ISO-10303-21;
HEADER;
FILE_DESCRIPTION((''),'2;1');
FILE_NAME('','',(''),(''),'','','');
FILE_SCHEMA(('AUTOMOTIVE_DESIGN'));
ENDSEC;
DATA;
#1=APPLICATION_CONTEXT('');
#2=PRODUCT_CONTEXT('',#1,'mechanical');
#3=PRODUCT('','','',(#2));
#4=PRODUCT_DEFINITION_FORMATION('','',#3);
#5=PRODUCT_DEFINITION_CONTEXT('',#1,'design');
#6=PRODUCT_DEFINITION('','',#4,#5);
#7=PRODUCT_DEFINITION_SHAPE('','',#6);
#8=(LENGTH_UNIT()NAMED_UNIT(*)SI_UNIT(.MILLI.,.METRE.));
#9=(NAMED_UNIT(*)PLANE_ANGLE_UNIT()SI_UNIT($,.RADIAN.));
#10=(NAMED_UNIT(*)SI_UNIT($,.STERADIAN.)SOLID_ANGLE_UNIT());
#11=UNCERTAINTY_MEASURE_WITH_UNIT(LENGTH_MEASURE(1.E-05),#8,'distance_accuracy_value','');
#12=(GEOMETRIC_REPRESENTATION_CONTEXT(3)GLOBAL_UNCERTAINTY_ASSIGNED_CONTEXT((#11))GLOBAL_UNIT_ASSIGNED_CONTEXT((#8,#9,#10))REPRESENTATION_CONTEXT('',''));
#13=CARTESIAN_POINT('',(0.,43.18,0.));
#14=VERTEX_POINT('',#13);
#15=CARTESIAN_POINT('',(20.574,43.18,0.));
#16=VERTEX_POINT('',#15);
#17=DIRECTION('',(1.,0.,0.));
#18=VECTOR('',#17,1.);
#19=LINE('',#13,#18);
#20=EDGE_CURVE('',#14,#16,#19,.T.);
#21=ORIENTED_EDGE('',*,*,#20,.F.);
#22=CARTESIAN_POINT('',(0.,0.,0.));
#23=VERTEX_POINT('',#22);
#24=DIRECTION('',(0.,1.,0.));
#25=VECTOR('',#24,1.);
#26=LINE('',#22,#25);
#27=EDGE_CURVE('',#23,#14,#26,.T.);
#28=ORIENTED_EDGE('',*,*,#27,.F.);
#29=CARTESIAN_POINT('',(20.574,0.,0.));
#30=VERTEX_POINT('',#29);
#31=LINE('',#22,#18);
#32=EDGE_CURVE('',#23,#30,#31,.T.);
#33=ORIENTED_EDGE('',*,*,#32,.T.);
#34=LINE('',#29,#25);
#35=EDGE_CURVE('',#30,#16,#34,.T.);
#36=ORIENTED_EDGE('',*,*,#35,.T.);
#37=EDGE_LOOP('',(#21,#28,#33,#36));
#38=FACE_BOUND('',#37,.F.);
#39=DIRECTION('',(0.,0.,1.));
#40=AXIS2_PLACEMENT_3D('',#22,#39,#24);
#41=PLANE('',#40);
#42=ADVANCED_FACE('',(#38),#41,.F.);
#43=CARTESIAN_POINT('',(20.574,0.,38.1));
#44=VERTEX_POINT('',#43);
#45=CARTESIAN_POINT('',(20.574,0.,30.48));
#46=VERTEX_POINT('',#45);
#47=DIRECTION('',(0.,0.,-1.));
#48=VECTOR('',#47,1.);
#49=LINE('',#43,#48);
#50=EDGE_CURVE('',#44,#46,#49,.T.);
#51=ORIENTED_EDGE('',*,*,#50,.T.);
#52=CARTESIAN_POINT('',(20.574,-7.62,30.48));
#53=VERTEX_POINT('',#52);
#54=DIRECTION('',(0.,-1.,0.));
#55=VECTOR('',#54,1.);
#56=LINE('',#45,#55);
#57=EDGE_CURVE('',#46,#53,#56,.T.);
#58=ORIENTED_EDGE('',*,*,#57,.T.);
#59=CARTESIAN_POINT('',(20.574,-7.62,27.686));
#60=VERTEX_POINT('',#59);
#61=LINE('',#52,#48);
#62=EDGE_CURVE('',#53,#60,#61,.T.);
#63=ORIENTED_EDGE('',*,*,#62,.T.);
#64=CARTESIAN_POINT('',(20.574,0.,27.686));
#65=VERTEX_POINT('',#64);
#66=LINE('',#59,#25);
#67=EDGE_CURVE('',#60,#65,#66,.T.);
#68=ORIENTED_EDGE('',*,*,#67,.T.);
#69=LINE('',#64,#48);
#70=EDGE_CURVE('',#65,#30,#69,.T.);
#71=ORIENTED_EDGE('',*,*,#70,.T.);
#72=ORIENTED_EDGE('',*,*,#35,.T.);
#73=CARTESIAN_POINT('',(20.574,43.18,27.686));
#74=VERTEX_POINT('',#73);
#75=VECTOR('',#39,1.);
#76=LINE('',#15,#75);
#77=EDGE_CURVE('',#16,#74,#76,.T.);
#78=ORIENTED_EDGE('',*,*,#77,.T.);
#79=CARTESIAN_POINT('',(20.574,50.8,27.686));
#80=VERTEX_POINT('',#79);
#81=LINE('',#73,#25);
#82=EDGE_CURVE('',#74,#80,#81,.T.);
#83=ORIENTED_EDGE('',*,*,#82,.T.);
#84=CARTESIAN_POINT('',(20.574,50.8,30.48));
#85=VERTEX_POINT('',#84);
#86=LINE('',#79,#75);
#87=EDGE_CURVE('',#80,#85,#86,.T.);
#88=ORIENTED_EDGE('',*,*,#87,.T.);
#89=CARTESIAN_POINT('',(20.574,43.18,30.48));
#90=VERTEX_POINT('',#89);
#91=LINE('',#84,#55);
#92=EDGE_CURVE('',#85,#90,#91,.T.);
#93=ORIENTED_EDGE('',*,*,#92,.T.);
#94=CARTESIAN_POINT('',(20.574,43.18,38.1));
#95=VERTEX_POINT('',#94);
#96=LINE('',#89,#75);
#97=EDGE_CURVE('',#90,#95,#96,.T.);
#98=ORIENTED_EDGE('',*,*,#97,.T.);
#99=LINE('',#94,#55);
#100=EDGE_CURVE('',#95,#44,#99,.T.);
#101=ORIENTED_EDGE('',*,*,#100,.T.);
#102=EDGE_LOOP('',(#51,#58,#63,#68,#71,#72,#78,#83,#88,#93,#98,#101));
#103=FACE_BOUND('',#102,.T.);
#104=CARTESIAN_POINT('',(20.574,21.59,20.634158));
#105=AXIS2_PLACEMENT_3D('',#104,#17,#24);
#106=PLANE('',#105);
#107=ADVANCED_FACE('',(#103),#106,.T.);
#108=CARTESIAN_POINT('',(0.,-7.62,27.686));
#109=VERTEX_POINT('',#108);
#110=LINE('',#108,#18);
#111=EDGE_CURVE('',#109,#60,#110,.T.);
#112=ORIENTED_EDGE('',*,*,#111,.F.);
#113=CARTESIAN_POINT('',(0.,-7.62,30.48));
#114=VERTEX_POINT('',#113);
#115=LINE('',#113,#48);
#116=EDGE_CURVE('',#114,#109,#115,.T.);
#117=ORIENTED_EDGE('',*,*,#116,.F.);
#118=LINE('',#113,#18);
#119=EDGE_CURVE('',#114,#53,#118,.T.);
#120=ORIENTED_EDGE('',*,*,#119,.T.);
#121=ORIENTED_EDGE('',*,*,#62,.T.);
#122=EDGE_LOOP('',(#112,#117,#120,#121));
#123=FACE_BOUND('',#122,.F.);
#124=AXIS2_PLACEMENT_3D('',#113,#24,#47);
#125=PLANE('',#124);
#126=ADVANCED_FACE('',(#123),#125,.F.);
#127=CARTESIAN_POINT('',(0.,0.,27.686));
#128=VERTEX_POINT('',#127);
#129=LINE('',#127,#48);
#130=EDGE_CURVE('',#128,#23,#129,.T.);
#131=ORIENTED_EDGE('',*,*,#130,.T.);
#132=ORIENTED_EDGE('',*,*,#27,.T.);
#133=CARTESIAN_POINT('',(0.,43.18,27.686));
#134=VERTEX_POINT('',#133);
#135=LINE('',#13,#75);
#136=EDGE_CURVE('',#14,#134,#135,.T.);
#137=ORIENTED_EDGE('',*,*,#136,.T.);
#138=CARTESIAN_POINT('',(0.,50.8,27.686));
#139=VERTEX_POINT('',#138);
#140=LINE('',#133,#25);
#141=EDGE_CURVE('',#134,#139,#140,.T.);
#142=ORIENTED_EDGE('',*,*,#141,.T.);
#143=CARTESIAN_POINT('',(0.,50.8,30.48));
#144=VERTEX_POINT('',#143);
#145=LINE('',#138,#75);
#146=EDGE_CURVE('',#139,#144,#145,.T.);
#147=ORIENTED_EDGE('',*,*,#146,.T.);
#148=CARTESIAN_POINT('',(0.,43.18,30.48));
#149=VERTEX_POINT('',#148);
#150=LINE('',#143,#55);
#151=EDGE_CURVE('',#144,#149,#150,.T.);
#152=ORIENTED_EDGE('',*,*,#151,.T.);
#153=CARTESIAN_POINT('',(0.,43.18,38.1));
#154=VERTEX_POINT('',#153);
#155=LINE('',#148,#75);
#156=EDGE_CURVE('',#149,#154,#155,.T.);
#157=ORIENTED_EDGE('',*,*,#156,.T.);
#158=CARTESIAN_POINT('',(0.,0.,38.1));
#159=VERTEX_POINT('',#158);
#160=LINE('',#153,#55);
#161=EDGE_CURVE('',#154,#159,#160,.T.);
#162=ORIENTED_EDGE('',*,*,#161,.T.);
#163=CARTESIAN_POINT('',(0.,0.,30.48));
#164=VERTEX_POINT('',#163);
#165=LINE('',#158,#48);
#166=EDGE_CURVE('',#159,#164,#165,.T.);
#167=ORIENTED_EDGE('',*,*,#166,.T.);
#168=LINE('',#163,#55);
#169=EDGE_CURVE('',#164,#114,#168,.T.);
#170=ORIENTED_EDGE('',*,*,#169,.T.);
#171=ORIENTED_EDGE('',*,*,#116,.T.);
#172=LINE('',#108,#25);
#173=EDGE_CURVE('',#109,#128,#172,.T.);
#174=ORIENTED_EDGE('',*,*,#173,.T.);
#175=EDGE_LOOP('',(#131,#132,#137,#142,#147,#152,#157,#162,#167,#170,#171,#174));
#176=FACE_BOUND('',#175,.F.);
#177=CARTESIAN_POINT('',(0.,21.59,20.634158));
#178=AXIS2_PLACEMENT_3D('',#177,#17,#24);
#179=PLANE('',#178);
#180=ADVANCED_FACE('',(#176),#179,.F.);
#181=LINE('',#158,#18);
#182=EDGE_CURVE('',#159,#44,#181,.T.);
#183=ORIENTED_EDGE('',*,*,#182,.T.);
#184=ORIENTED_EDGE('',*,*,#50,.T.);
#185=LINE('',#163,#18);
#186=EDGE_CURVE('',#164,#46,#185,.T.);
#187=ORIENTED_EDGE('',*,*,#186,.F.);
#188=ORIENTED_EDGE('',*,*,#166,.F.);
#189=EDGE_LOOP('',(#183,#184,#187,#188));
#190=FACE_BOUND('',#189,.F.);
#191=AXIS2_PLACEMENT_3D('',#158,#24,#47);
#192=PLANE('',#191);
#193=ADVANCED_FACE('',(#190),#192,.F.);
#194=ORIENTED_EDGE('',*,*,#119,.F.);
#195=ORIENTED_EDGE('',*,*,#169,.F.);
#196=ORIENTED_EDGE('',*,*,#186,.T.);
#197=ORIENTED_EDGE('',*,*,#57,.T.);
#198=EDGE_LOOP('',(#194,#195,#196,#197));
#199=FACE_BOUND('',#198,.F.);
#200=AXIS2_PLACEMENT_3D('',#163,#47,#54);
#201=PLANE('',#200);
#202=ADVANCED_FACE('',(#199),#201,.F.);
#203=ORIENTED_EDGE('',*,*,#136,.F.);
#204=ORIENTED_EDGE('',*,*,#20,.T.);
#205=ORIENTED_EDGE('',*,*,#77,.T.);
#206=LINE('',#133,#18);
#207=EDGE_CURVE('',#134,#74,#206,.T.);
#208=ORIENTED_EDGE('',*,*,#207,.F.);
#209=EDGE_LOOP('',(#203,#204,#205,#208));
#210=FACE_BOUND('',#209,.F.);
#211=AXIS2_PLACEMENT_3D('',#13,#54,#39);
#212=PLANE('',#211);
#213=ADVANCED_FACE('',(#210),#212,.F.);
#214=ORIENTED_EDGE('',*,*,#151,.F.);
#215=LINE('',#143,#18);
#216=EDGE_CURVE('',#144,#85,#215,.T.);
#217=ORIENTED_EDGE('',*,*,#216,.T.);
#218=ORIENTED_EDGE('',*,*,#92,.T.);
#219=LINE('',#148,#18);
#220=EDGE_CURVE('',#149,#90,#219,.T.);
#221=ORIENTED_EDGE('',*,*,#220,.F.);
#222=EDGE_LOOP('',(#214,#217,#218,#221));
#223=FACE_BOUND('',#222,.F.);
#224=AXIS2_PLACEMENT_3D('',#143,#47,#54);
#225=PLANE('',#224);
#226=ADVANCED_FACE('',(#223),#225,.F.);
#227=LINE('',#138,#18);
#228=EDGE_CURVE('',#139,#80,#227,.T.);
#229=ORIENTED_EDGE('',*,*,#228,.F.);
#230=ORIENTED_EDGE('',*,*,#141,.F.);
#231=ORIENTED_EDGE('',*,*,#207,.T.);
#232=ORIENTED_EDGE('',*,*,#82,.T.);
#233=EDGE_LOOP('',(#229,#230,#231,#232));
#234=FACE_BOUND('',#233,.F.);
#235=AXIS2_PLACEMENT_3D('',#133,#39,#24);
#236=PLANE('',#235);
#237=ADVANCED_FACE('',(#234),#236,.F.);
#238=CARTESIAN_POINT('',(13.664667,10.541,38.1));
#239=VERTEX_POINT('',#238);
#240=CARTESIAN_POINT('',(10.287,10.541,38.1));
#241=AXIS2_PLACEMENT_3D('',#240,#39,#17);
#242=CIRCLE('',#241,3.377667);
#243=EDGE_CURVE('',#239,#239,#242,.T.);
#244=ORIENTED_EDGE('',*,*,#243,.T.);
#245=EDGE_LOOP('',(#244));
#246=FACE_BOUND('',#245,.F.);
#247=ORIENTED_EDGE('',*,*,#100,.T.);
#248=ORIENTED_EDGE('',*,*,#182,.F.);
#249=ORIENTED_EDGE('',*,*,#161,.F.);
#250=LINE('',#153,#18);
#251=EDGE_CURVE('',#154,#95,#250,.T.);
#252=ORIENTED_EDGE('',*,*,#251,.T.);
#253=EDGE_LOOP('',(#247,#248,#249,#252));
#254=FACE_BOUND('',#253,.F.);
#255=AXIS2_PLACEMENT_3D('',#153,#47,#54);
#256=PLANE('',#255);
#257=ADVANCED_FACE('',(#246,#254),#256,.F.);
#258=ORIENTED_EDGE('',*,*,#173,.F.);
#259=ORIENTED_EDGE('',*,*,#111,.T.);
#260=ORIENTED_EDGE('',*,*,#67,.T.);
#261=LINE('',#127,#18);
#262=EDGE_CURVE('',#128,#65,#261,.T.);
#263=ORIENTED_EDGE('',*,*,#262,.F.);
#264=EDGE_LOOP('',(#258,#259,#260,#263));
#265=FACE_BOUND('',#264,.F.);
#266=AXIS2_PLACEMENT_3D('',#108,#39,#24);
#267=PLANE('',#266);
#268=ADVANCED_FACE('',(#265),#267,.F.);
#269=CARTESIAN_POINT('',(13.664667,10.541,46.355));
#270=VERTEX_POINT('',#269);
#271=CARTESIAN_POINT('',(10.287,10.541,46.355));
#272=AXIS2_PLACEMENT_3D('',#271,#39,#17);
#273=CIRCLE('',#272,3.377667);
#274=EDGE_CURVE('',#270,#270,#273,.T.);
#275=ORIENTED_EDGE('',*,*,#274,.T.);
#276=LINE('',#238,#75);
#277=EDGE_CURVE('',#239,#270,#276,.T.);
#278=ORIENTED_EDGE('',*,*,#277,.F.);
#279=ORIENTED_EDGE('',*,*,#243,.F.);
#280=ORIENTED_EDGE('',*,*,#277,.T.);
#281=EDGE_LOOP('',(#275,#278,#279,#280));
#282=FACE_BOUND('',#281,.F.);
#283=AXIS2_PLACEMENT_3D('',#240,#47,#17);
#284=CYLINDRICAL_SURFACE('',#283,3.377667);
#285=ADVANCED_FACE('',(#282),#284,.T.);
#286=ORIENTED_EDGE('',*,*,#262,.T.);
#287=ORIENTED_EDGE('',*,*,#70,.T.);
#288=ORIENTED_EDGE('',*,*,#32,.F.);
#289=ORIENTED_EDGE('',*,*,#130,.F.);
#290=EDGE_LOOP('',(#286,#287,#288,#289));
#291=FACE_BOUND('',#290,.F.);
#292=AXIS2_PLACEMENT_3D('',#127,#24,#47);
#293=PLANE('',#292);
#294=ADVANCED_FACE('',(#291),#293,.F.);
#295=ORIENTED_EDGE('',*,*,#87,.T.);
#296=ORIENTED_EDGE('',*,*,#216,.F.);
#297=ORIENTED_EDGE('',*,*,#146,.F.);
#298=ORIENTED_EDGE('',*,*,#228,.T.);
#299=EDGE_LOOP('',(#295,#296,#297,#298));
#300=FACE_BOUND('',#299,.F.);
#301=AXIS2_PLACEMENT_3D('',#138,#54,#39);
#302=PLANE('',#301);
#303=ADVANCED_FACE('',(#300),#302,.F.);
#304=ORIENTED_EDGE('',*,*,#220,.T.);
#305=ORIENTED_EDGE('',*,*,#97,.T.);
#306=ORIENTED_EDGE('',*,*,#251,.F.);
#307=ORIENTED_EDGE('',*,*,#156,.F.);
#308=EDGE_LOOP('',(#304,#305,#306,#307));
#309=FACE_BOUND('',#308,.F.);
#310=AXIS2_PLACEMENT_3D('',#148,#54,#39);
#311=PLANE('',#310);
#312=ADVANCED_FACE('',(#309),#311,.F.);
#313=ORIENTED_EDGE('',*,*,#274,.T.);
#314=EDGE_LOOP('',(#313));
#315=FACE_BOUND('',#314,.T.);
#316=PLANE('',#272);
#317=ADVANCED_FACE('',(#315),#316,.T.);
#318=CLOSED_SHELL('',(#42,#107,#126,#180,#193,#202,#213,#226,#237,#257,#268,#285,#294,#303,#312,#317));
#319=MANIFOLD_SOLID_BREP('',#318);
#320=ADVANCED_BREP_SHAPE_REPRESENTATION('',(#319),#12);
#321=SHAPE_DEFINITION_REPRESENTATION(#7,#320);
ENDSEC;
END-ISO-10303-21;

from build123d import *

# Parameters (mm, degrees)
F1_DEPTH = 20.574
F2_R     = 3.377667
F3_DEPTH = 8.255


with BuildPart() as f1:
    # F0 (on Right) → F1 (new body)
    with BuildSketch(Plane.YZ):
        Polygon((0, 27.686), (0, 0), (43.18, 0), (43.18, 27.686), (50.8, 27.686), (50.8, 30.48), (43.18, 30.48), (43.18, 38.1), (0, 38.1), (0, 30.48), (-7.62, 30.48), (-7.62, 27.686), align=None)
    extrude(amount=F1_DEPTH)

    # F2 (on face) → F3 (join)
    with BuildSketch(Plane.XY.offset(38.1)):
        with Locations((10.287, 10.541)):
            Circle(F2_R)
    extrude(amount=F3_DEPTH)


solid = f1.part
